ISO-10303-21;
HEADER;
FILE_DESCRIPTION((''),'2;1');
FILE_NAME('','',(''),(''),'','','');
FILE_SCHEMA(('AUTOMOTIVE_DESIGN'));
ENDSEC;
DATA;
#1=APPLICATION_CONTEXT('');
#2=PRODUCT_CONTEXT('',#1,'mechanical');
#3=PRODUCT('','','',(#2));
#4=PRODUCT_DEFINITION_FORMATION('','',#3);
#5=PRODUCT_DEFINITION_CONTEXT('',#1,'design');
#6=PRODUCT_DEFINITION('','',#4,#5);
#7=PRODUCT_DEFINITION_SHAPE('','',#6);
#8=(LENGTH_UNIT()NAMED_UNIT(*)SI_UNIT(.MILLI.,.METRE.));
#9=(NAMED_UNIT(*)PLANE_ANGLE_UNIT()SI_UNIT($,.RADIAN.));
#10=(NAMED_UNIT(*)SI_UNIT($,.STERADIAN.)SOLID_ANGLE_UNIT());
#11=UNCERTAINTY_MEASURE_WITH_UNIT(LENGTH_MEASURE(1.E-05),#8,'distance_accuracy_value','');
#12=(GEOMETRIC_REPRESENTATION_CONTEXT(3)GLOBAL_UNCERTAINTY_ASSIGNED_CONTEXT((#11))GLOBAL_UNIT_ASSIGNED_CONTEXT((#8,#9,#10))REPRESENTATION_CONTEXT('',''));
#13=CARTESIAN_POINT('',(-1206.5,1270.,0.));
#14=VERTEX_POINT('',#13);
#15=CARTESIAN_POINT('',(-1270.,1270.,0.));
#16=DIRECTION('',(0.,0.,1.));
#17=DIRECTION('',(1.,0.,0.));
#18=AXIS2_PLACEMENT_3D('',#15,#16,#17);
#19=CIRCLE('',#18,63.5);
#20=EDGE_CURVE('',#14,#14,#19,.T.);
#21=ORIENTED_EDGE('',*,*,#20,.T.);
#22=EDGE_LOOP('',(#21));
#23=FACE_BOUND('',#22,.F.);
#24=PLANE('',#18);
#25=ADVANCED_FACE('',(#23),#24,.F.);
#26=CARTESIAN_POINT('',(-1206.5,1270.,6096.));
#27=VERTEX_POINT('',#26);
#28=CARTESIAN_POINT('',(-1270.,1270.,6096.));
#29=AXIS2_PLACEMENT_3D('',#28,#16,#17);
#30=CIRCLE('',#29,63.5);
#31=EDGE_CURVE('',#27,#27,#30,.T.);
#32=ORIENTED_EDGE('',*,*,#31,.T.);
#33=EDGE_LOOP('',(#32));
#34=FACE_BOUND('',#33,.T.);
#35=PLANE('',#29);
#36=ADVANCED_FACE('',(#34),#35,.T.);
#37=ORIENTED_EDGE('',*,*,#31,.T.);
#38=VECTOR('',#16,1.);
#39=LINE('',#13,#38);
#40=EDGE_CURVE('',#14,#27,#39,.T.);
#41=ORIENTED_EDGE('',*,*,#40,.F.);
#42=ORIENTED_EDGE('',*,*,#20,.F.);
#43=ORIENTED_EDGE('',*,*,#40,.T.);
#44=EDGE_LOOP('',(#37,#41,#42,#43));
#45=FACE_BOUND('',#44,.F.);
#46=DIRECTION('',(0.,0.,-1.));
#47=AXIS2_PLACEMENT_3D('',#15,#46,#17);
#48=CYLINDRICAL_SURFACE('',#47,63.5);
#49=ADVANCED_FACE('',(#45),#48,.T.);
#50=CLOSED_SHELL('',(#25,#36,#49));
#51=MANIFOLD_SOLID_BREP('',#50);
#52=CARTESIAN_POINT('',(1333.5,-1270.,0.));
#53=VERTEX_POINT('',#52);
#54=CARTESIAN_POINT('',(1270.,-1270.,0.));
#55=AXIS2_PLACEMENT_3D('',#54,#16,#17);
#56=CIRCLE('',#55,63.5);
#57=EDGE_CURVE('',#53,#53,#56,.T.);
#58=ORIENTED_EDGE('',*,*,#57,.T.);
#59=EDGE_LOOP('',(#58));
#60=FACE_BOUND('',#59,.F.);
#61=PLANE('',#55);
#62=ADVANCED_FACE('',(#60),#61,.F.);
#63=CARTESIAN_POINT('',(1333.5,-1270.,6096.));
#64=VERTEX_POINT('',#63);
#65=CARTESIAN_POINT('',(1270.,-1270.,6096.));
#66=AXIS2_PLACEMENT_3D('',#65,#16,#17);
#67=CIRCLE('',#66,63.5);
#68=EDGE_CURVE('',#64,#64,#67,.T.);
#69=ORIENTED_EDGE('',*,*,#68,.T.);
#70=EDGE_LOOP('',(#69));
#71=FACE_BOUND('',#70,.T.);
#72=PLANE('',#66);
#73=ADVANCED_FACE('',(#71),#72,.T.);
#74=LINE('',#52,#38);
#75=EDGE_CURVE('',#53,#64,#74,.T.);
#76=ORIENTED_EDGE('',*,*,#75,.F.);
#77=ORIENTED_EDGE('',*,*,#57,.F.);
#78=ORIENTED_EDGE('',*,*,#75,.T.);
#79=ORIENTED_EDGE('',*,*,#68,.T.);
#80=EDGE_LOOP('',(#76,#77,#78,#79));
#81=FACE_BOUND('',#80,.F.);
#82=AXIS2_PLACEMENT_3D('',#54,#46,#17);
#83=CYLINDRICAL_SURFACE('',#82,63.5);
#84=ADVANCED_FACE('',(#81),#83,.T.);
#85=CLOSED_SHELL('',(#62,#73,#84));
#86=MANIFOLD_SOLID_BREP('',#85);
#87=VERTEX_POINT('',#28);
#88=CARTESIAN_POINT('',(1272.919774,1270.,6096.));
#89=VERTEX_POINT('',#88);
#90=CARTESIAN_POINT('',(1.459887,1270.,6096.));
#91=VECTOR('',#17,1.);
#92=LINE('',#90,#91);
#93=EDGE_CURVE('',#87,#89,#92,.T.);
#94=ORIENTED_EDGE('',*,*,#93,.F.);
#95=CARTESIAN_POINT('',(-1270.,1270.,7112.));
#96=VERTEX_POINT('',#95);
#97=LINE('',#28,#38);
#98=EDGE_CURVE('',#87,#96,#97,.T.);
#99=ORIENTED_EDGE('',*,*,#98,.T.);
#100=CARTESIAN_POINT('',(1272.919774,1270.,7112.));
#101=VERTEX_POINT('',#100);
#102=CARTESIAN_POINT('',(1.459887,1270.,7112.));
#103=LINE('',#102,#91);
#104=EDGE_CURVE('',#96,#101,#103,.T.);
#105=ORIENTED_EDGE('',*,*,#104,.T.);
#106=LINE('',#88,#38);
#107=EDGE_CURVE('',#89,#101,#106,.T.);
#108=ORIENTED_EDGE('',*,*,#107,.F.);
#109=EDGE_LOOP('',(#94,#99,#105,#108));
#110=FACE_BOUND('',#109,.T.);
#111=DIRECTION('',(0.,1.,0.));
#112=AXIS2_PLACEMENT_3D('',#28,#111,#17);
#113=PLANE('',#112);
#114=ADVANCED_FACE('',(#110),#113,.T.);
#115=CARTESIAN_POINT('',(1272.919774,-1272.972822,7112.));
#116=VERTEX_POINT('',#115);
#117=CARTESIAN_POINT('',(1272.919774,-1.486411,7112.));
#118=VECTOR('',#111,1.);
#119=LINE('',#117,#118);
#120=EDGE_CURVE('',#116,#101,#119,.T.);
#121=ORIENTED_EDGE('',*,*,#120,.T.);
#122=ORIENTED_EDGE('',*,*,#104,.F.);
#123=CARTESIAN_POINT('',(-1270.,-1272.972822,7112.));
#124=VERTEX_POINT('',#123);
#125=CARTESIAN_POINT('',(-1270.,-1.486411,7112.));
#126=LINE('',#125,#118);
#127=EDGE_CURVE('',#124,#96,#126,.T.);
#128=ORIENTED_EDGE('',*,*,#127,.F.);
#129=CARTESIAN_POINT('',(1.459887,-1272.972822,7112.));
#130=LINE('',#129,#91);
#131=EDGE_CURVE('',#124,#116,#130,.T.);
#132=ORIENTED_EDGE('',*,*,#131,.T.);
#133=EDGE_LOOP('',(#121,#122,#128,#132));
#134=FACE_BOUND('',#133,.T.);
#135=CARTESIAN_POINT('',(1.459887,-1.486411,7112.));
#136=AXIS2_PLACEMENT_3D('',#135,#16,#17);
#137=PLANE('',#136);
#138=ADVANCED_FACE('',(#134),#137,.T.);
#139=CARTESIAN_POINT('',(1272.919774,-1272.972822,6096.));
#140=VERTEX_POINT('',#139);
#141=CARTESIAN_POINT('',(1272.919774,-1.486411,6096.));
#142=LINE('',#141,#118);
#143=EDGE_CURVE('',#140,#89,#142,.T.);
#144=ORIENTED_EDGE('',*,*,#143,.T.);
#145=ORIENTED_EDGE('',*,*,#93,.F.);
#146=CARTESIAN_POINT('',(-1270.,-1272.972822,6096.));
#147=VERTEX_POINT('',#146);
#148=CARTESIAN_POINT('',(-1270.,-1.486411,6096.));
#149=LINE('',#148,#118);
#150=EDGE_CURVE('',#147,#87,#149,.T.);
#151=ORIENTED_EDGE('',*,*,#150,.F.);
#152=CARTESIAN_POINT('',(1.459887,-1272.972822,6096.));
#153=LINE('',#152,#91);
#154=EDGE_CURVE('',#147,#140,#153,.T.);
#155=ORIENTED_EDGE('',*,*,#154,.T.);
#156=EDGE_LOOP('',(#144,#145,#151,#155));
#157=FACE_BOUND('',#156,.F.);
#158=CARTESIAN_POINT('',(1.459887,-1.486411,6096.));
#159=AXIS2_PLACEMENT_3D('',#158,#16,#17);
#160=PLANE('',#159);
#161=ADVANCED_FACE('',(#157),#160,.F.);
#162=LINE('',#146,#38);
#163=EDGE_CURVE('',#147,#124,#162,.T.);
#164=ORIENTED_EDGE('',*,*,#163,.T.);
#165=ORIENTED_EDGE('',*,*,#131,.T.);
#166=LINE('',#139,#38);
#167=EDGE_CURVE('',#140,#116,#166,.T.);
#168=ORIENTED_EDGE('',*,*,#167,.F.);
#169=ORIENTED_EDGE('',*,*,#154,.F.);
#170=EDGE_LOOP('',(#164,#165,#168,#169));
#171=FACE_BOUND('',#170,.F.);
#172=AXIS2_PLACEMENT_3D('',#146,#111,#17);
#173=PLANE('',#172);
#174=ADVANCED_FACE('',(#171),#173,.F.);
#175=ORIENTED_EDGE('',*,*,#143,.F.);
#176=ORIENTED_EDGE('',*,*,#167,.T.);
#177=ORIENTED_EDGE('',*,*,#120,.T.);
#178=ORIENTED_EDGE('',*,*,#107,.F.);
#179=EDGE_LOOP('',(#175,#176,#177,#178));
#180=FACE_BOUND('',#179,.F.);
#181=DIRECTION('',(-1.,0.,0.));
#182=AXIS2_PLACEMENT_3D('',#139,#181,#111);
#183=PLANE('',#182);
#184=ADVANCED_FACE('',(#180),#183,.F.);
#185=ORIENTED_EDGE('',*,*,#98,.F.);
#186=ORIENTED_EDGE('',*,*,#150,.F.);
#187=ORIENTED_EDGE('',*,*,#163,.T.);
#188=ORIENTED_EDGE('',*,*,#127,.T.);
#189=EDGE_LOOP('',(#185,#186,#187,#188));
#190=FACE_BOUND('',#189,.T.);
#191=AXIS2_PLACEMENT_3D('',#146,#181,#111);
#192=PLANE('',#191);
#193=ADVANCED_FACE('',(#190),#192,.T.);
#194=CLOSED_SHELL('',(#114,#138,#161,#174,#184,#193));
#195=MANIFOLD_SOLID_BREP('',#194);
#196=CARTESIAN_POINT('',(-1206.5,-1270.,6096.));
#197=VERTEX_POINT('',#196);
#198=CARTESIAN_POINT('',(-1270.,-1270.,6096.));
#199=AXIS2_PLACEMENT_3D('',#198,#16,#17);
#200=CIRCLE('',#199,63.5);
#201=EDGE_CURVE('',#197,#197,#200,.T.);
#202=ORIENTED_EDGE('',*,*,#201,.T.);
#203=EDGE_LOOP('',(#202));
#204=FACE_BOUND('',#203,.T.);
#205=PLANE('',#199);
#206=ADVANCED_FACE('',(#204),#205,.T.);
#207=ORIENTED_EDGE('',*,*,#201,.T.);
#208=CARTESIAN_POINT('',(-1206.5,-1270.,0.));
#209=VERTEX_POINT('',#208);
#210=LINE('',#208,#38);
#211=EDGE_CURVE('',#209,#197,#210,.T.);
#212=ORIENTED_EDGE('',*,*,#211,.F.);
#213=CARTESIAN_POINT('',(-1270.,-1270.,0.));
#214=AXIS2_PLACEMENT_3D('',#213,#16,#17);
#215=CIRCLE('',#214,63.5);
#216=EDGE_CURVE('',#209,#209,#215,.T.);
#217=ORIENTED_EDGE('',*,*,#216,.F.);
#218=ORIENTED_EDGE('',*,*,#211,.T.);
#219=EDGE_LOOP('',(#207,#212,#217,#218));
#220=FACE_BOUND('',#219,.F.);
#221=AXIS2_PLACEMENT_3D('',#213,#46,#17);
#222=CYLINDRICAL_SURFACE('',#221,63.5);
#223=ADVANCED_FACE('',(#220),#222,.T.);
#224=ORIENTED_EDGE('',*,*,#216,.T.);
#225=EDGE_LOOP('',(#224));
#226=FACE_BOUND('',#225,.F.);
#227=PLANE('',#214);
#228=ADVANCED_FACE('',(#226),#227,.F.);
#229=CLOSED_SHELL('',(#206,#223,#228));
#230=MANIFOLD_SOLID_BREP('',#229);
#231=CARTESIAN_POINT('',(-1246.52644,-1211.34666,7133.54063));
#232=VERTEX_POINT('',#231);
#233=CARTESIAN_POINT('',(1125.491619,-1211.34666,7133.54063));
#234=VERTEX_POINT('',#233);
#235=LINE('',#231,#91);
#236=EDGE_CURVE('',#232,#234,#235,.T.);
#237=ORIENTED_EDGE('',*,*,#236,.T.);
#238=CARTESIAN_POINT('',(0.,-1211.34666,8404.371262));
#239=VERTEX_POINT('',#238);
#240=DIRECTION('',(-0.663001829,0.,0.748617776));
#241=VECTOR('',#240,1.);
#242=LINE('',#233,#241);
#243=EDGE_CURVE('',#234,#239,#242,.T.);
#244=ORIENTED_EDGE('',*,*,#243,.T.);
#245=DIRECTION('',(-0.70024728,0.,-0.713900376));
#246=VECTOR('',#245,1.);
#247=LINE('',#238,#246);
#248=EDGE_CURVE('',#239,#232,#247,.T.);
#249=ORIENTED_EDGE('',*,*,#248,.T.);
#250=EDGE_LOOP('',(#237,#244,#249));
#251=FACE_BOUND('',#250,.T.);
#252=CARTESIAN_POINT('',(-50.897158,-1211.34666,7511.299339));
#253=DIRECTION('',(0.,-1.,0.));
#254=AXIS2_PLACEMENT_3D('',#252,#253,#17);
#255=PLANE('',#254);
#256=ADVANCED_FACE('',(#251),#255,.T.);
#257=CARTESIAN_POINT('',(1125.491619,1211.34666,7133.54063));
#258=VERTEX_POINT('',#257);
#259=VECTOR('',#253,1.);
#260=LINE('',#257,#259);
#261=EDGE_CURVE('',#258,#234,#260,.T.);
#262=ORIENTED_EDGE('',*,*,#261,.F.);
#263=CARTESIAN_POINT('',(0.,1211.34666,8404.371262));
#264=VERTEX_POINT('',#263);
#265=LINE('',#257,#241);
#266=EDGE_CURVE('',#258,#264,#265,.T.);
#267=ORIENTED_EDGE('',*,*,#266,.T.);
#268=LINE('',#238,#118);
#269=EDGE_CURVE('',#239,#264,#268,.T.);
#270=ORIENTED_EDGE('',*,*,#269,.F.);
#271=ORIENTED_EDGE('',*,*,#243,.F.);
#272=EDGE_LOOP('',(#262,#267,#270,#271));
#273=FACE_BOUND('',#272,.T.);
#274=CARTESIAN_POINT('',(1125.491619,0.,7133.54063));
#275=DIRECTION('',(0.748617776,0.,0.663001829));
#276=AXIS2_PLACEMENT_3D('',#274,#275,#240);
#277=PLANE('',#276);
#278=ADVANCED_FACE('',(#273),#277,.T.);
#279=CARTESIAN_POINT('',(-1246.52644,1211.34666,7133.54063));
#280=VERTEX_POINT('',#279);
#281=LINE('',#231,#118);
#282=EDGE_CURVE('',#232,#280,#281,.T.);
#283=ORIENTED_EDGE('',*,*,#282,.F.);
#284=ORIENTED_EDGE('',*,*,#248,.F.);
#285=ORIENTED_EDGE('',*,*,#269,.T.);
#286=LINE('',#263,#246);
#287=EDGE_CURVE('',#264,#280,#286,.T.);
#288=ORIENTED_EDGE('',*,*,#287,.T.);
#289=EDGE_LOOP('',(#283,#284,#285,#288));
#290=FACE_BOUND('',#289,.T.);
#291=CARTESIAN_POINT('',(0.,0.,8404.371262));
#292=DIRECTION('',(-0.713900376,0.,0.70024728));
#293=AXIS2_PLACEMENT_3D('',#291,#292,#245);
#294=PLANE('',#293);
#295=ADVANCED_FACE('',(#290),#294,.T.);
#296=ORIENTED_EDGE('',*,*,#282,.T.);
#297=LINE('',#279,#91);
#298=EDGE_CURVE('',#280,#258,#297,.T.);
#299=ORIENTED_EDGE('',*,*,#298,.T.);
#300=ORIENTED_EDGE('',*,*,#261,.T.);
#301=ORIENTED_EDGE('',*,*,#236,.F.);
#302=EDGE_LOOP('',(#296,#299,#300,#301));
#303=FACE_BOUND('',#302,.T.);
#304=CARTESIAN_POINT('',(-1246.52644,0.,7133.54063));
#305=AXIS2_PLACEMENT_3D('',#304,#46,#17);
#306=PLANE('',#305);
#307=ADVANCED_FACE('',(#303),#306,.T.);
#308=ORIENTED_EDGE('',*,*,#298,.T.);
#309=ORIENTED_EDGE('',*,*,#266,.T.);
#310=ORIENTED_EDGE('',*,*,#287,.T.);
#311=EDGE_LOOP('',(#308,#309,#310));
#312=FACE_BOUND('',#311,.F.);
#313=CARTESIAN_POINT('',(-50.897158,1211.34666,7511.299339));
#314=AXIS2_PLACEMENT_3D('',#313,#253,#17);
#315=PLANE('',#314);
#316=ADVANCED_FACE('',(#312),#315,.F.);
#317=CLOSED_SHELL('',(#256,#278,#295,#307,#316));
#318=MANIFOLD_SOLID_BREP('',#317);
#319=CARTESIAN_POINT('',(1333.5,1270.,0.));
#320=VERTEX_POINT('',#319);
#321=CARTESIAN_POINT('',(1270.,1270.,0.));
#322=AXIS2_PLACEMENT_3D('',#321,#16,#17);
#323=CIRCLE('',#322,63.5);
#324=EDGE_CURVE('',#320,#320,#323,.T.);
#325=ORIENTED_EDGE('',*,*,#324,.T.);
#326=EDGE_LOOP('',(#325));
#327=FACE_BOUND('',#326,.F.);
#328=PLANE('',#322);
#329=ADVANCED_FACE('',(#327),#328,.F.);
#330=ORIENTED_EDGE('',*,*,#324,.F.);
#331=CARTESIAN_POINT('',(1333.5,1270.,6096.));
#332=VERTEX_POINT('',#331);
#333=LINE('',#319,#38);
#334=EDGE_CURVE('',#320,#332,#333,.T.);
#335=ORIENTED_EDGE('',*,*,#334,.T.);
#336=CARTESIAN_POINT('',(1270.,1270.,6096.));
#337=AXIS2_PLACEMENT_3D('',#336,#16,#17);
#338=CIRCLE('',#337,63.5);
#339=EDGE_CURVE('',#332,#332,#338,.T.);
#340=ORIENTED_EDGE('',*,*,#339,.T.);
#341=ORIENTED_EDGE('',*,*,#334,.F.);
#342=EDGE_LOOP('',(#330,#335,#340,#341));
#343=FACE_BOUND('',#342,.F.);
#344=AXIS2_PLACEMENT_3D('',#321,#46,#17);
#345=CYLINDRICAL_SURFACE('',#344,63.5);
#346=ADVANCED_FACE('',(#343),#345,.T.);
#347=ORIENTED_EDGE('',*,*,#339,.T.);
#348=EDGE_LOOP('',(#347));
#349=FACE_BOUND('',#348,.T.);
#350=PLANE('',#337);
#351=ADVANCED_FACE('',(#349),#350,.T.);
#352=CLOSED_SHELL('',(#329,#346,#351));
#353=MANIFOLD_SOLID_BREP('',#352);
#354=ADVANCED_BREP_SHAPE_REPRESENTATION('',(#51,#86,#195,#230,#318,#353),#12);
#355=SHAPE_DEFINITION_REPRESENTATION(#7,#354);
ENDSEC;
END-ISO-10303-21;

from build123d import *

# Parameters (mm, degrees)
F0_R     = 63.5
F1_DEPTH = 6096
F2_W     = 2542.919774
F2_H     = 2542.972822
F3_DEPTH = 1016
F5_DEPTH = 1211.34666


with BuildPart() as f1:
    # F0 (on Top) → F1 (new body)
    with BuildSketch(Plane.XY):
        with Locations((-1270, 1270)):
            Circle(F0_R)
        with Locations((1270, 1270)):
            Circle(F0_R)
        with Locations((-1270, -1270)):
            Circle(F0_R)
        with Locations((1270, -1270)):
            Circle(F0_R)
    extrude(amount=F1_DEPTH)


with BuildPart() as f3:
    # F2 (on face) → F3 (new body)
    with BuildSketch(Plane.XY.offset(6096)):
        with Locations((1.459887, -1.486411)):
            Rectangle(F2_W, F2_H)
    extrude(amount=F3_DEPTH)


with BuildPart() as f5:
    # F4 (on Front) → F5 (new body, symmetric)
    with BuildSketch(Plane.XZ):
        Polygon((-1246.52644, 7133.54063), (1125.491619, 7133.54063), (0, 8404.371262), align=None)
    extrude(amount=F5_DEPTH, both=True)


solid = Compound([f1.part, f3.part, f5.part])
